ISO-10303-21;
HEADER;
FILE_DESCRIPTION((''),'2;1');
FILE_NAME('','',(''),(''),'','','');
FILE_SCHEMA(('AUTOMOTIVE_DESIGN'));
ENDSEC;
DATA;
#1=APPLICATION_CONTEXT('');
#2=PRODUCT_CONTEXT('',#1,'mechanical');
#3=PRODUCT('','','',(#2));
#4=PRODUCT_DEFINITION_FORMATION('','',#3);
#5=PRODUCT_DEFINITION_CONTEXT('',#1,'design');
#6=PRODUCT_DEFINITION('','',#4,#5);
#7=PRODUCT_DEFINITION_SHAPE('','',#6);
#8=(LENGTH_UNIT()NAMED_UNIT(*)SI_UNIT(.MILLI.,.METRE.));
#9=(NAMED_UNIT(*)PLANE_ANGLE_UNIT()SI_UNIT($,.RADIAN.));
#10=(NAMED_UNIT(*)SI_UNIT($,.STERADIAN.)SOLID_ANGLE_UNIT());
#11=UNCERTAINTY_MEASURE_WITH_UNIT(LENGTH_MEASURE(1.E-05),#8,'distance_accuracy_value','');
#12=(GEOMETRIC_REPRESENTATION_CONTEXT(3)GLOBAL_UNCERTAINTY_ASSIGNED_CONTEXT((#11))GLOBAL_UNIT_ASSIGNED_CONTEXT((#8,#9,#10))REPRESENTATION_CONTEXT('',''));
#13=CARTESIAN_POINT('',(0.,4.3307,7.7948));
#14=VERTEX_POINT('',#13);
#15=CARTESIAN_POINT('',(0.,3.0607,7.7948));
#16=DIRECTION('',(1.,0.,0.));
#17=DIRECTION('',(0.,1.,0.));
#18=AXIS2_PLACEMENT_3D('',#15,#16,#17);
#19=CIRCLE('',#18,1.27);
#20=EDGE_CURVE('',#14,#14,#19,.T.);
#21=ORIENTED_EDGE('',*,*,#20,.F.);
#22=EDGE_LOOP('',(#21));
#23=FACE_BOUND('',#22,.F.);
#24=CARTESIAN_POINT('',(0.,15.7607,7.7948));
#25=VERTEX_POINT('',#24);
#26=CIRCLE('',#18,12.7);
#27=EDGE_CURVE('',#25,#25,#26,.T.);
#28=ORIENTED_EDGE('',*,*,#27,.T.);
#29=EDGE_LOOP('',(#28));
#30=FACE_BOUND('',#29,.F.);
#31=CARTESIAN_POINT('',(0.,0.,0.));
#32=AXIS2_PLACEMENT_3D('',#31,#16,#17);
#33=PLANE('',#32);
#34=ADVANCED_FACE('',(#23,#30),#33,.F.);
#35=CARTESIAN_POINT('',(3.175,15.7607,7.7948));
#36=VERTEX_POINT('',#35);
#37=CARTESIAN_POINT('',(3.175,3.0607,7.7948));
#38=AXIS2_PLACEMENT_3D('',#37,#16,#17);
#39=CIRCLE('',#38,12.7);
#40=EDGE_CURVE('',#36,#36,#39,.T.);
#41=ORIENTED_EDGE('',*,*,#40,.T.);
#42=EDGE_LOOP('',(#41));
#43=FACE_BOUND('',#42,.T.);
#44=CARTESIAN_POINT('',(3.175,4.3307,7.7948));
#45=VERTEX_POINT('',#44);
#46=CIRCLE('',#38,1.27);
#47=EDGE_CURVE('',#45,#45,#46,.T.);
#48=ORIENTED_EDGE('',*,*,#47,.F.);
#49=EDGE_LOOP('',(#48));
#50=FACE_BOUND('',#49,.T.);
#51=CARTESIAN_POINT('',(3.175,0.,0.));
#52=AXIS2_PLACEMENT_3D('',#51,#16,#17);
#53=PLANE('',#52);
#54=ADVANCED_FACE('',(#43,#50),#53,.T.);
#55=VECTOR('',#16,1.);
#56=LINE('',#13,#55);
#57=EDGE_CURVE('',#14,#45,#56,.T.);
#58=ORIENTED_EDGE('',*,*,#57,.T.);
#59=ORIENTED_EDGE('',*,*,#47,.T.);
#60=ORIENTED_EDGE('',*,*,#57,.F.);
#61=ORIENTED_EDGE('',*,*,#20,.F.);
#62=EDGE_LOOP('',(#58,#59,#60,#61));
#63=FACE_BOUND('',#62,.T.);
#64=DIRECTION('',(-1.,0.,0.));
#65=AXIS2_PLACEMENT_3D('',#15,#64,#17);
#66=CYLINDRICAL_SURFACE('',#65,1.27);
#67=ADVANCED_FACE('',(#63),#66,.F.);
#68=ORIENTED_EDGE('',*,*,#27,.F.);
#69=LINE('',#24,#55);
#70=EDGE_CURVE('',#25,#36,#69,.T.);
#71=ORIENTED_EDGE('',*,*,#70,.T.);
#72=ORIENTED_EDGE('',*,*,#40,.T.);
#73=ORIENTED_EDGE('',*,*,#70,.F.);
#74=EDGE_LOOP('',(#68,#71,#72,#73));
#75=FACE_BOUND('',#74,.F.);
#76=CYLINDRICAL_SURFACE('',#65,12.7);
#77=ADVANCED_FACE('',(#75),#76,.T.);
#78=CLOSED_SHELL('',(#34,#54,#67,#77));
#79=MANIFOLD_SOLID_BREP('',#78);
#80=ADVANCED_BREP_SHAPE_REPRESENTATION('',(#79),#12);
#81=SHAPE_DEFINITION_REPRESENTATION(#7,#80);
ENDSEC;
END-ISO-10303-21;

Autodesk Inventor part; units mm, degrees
ref_plane "YZ Plane" through (0, 0, 0) normal (1, 0, 0) x (0, 1, 0)
ref_plane "XZ Plane" through (0, 0, 0) normal (0, 1, 0) x (-1, 0, 0)
ref_plane "XY Plane" through (0, 0, 0) normal (0, 0, 1) x (1, 0, 0)
sketch "Sketch1" plane through (0, 0, 0) normal (1, 0, 0) x (0, 1, 0)
  circle A0 centre (3.0607, 7.7948) radius 1.27
  circle A1 centre (3.0607, 7.7948) radius 12.7
  point P0 (0, 0)
  dimension "d0" = 2.54
  dimension "d1" = 25.4
extrude "Extrusion1" add sketch "Sketch1" along normal blind 3.175
properties part number "wheel"
